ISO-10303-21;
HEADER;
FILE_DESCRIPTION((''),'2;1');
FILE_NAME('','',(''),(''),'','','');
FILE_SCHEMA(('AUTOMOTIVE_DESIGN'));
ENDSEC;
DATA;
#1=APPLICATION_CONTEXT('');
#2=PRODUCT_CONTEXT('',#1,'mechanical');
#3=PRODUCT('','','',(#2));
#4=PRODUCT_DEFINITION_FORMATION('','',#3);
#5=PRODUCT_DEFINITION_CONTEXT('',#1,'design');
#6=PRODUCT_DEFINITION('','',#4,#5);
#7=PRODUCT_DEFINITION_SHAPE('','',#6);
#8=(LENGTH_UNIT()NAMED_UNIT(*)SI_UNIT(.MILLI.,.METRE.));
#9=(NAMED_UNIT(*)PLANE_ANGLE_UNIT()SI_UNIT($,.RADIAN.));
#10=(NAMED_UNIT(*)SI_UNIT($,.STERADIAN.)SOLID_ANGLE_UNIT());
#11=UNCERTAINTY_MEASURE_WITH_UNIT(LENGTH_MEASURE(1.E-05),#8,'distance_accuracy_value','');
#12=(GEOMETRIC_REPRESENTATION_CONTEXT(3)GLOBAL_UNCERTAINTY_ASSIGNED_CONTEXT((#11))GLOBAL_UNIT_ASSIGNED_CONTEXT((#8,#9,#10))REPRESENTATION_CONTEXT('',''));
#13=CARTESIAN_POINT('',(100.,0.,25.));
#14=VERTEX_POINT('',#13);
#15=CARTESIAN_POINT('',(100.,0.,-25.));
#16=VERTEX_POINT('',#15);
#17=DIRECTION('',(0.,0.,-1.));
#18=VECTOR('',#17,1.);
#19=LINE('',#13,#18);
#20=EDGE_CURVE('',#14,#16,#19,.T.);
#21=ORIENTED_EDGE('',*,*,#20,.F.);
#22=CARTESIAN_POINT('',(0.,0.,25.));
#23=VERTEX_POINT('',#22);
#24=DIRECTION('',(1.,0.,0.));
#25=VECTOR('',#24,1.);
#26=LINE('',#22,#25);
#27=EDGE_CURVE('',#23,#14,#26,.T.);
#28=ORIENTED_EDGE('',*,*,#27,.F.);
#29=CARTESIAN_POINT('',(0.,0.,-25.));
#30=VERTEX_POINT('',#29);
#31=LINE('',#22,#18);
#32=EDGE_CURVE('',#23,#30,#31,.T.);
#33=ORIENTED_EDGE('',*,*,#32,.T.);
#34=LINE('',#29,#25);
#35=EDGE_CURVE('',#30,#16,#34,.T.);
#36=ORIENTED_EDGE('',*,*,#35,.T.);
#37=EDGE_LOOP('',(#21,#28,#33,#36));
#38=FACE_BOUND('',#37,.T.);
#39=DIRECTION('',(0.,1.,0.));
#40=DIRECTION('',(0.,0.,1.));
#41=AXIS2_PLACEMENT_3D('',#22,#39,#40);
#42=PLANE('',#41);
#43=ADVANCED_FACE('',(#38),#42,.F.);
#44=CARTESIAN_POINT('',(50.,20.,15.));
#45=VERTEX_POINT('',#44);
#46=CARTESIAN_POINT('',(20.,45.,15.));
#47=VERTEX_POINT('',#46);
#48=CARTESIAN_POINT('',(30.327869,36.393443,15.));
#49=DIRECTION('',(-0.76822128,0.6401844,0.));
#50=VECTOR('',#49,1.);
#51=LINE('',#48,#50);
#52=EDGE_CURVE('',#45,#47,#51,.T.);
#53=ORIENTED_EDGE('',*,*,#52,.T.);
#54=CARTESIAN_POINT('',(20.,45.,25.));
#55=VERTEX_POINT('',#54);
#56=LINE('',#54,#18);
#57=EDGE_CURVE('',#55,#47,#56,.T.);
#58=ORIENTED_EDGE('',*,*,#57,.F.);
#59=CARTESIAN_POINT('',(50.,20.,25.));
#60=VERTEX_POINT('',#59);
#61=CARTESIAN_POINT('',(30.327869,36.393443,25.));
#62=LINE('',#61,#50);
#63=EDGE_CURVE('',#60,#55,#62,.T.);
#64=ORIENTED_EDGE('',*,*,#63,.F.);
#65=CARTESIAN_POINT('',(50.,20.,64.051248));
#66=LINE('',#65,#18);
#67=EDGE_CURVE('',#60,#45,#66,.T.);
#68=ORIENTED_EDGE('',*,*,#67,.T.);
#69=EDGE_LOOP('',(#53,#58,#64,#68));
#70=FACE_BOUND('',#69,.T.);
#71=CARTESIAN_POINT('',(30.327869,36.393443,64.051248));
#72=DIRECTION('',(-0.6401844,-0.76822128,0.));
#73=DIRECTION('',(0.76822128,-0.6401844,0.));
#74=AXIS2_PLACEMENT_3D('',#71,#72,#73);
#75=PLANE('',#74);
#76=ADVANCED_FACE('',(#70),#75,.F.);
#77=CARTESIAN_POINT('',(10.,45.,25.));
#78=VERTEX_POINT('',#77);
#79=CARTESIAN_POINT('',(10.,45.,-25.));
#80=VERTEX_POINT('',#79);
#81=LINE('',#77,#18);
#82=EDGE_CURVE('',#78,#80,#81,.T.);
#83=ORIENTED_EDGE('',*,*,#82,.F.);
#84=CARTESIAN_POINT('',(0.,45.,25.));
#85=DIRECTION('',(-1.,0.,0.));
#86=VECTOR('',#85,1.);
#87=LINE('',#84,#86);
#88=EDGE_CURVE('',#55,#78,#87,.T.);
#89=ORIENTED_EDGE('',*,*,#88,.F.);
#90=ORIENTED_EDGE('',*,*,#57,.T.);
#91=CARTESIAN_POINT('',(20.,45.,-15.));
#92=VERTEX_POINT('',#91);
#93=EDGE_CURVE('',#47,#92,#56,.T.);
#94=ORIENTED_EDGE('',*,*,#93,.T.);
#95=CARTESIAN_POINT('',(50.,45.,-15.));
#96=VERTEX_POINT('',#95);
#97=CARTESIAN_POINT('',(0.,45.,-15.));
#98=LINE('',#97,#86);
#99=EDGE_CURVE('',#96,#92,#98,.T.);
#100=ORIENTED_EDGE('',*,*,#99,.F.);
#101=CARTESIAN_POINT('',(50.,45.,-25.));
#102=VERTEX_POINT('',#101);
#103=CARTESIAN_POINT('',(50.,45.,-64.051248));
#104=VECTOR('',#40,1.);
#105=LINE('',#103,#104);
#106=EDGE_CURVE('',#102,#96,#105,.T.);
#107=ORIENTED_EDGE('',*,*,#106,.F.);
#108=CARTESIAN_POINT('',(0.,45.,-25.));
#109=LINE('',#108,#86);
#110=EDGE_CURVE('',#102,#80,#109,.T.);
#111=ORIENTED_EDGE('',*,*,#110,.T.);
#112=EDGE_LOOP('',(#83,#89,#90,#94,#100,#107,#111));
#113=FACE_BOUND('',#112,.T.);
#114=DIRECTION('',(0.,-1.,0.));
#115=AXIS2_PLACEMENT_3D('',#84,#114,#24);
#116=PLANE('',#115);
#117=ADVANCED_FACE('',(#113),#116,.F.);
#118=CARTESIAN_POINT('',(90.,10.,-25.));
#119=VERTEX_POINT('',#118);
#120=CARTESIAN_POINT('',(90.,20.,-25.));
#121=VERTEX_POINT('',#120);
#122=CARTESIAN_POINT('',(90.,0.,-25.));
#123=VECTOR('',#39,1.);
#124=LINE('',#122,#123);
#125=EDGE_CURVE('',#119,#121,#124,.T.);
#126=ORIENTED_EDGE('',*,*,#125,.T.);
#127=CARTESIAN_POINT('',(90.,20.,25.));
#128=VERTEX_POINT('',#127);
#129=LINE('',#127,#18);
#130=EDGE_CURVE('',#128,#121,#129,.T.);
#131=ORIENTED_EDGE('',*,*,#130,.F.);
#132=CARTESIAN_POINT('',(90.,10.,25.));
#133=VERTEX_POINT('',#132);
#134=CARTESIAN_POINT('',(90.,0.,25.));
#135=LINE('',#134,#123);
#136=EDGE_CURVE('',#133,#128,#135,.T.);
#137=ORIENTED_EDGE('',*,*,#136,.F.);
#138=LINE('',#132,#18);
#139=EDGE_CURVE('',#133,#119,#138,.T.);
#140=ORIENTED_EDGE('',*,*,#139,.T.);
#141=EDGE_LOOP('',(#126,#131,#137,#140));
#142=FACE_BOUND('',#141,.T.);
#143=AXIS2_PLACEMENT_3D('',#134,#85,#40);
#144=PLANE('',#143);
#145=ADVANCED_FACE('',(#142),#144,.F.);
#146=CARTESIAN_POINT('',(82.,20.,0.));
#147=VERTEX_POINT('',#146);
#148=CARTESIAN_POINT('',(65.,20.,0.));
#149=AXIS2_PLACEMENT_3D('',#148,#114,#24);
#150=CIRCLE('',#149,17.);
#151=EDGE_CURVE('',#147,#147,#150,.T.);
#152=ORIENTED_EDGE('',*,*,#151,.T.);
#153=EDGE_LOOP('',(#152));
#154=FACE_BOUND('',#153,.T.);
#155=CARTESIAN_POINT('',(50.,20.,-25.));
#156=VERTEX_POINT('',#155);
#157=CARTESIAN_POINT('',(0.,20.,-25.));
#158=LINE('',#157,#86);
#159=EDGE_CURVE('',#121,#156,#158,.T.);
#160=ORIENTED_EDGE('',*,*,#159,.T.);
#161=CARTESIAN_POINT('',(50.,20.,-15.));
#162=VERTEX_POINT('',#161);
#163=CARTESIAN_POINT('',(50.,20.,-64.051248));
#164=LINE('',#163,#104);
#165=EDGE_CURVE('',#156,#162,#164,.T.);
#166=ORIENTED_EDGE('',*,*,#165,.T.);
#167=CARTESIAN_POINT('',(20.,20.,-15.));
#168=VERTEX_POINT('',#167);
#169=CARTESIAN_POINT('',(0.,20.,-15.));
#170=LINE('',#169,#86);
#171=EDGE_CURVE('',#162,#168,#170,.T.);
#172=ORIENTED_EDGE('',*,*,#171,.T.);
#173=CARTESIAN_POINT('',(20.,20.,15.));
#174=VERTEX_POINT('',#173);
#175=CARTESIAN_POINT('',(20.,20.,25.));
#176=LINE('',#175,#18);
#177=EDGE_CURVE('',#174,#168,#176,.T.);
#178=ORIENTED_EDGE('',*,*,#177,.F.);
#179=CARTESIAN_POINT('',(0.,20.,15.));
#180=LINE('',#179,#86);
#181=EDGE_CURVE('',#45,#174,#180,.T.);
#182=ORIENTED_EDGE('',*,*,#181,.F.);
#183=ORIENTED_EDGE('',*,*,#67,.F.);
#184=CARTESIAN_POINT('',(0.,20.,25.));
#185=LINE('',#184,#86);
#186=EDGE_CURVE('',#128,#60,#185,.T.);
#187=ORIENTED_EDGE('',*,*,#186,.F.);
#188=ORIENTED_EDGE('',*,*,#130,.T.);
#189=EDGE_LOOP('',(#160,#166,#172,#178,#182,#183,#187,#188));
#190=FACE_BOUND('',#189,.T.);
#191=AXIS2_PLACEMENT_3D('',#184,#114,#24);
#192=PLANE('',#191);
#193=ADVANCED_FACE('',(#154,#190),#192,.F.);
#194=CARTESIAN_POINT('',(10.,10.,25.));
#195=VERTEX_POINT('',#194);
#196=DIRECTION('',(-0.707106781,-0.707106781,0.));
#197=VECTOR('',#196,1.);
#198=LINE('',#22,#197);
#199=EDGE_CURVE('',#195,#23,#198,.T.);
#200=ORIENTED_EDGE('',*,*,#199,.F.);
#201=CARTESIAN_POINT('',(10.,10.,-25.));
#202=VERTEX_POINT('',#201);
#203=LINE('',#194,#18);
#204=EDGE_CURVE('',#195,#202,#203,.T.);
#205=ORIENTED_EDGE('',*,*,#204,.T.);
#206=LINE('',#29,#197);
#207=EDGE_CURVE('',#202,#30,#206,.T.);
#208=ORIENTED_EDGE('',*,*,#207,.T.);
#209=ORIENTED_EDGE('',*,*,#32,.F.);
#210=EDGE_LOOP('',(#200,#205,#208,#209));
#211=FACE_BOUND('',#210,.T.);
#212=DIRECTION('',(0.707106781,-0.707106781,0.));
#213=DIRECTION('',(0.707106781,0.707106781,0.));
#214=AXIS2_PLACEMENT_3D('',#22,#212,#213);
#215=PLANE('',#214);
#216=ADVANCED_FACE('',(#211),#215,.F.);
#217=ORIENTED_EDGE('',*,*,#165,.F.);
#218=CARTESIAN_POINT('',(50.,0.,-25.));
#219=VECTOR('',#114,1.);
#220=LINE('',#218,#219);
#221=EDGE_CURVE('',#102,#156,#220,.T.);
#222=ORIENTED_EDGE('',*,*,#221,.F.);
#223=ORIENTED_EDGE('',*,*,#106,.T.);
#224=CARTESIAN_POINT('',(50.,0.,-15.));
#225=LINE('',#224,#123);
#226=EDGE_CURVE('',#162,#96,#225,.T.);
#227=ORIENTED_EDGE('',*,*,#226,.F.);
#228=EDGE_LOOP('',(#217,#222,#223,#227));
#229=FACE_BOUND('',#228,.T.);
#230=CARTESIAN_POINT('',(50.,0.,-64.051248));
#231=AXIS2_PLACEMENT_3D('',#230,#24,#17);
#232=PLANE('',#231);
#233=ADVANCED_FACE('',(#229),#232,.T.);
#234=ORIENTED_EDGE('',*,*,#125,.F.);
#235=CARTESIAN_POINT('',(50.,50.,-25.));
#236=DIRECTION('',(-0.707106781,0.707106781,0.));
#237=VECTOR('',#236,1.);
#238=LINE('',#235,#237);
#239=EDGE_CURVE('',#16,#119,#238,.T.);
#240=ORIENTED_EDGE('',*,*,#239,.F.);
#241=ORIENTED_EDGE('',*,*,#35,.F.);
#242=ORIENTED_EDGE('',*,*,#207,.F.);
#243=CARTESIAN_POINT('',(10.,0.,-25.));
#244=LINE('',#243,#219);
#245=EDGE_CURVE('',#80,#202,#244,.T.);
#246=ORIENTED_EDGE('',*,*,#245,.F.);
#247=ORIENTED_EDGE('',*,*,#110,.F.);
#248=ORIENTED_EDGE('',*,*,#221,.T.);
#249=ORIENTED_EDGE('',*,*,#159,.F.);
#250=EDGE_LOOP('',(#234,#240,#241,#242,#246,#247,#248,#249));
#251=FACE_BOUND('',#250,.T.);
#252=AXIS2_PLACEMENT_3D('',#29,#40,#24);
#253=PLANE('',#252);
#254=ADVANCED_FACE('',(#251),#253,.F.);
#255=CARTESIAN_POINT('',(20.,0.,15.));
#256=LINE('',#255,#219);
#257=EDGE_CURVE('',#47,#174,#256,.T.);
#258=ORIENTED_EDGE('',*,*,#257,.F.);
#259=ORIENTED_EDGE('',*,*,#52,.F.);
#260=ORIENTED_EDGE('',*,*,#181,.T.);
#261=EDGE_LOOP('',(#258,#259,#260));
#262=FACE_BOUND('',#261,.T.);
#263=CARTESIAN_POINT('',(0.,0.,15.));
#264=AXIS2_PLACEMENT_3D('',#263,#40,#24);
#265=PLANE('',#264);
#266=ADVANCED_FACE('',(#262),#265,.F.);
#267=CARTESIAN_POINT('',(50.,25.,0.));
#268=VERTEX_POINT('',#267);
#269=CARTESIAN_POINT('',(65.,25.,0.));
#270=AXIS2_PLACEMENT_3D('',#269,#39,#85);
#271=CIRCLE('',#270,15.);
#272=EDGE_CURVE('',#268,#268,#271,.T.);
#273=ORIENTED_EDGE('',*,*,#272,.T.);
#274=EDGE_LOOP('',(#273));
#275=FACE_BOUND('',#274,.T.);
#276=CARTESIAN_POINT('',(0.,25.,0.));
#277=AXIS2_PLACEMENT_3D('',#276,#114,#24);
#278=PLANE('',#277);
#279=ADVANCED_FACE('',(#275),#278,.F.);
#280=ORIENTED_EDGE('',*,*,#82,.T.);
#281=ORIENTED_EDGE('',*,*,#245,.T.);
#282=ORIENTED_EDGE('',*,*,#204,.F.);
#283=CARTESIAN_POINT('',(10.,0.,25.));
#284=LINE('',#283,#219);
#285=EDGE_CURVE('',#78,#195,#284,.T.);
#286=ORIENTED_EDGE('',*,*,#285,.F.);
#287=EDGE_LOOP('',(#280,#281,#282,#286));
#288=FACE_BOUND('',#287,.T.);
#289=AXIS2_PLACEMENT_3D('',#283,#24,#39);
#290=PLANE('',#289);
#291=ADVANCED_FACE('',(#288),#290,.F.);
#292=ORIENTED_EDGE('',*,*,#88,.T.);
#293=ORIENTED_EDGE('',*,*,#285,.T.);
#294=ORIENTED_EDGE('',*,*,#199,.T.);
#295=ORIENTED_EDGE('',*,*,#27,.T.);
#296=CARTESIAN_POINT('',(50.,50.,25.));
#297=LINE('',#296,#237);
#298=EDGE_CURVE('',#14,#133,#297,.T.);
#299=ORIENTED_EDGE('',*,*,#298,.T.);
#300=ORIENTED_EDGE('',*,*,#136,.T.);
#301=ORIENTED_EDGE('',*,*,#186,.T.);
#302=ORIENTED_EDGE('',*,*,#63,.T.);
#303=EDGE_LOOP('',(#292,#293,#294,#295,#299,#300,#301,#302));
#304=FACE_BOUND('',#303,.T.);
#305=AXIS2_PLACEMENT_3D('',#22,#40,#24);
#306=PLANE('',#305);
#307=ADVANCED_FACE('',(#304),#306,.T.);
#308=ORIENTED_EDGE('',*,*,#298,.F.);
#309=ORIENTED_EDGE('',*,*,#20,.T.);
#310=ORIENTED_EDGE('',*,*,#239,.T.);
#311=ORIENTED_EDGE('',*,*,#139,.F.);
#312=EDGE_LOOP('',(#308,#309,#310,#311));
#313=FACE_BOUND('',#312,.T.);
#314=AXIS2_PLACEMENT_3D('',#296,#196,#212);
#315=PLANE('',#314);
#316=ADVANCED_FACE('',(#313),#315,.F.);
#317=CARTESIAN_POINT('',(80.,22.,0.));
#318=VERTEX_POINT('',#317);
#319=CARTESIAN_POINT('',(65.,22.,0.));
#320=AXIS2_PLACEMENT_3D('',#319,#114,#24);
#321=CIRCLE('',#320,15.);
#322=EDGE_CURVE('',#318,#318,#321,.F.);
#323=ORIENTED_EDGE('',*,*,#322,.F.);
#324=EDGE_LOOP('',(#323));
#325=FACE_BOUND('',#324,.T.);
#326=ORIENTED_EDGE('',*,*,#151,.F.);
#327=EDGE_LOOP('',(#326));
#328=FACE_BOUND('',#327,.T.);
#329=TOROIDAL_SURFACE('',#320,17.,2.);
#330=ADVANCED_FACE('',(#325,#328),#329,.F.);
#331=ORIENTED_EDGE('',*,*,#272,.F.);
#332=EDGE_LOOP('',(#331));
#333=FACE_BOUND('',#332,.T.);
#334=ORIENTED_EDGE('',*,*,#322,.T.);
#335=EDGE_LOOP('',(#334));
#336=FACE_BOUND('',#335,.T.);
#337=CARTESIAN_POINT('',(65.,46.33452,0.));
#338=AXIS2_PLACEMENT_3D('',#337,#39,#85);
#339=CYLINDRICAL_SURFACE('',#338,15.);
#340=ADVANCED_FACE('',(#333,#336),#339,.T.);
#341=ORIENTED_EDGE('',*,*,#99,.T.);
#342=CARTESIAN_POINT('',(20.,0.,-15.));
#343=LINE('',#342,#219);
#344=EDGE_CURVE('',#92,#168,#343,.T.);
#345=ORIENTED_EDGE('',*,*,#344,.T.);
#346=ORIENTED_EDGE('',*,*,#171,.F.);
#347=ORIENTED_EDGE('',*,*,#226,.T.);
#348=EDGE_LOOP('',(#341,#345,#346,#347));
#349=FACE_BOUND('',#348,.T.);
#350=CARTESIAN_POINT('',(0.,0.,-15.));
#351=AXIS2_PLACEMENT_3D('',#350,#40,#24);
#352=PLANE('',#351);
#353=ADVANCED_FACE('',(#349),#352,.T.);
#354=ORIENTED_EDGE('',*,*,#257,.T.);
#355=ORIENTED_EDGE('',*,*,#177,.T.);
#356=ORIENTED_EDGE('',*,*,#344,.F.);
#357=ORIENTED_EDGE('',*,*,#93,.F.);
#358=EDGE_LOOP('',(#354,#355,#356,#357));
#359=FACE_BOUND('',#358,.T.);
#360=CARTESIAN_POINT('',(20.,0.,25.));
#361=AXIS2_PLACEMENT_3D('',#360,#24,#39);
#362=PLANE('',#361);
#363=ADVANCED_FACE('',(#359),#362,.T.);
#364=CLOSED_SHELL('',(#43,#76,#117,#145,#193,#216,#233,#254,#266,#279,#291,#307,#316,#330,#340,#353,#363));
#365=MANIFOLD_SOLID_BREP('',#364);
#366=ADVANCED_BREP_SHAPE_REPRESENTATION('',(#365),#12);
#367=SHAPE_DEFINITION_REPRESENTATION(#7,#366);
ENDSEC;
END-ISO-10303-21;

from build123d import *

# Parameters (mm, degrees)
BOSS_EXTRU_1_DEPTH = 25
BOSS_EXTRU_4_START = 15
BOSS_EXTRU_4_DEPTH = 10
BOSS_EXTRU_5_START = -15
BOSS_EXTRU_5_DEPTH = 10
ESQUISSE1_9_W      = 15
ESQUISSE1_9_H      = 5
CONG_1_R           = 2


with BuildPart() as part:
    # Esquisse1 → Boss.-Extru.1 (new body, symmetric)
    with BuildSketch(Plane.XY):
        Polygon((10, 10), (0, 0), (100, 0), (90, 10), (90, 20), (20, 20), (20, 45), (10, 45), align=None)
    extrude(amount=BOSS_EXTRU_1_DEPTH, both=True)

    # Esquisse1_5 → Boss.-Extru.4 (add)
    with BuildSketch(Plane.XY.offset(BOSS_EXTRU_4_START)):
        Polygon((20, 45), (20, 20), (50, 20), align=None)
    extrude(amount=BOSS_EXTRU_4_DEPTH)

    # Esquisse1_6 → Boss.-Extru.5 (add)
    with BuildSketch(Plane.XY.offset(BOSS_EXTRU_5_START)):
        Polygon((20, 45), (20, 20), (50, 20), align=None)
        Polygon((50, 45), (20, 45), (50, 20), align=None)
    extrude(amount=-BOSS_EXTRU_5_DEPTH)

    # Esquisse1_9 → R_volution1 (revolve)
    with BuildSketch(Plane.XY):
        with Locations((72.5, 22.5)):
            Rectangle(ESQUISSE1_9_W, ESQUISSE1_9_H)
    revolve(axis=Axis((65, 46.334519573, 0), (0, -1, 0)))

    # Cong_1
    cong_1_edges = [part.edges().sort_by_distance(p)[0] for p in [
        (50, 20, 0),
    ]]
    fillet(cong_1_edges, radius=CONG_1_R)


solid = part.part
